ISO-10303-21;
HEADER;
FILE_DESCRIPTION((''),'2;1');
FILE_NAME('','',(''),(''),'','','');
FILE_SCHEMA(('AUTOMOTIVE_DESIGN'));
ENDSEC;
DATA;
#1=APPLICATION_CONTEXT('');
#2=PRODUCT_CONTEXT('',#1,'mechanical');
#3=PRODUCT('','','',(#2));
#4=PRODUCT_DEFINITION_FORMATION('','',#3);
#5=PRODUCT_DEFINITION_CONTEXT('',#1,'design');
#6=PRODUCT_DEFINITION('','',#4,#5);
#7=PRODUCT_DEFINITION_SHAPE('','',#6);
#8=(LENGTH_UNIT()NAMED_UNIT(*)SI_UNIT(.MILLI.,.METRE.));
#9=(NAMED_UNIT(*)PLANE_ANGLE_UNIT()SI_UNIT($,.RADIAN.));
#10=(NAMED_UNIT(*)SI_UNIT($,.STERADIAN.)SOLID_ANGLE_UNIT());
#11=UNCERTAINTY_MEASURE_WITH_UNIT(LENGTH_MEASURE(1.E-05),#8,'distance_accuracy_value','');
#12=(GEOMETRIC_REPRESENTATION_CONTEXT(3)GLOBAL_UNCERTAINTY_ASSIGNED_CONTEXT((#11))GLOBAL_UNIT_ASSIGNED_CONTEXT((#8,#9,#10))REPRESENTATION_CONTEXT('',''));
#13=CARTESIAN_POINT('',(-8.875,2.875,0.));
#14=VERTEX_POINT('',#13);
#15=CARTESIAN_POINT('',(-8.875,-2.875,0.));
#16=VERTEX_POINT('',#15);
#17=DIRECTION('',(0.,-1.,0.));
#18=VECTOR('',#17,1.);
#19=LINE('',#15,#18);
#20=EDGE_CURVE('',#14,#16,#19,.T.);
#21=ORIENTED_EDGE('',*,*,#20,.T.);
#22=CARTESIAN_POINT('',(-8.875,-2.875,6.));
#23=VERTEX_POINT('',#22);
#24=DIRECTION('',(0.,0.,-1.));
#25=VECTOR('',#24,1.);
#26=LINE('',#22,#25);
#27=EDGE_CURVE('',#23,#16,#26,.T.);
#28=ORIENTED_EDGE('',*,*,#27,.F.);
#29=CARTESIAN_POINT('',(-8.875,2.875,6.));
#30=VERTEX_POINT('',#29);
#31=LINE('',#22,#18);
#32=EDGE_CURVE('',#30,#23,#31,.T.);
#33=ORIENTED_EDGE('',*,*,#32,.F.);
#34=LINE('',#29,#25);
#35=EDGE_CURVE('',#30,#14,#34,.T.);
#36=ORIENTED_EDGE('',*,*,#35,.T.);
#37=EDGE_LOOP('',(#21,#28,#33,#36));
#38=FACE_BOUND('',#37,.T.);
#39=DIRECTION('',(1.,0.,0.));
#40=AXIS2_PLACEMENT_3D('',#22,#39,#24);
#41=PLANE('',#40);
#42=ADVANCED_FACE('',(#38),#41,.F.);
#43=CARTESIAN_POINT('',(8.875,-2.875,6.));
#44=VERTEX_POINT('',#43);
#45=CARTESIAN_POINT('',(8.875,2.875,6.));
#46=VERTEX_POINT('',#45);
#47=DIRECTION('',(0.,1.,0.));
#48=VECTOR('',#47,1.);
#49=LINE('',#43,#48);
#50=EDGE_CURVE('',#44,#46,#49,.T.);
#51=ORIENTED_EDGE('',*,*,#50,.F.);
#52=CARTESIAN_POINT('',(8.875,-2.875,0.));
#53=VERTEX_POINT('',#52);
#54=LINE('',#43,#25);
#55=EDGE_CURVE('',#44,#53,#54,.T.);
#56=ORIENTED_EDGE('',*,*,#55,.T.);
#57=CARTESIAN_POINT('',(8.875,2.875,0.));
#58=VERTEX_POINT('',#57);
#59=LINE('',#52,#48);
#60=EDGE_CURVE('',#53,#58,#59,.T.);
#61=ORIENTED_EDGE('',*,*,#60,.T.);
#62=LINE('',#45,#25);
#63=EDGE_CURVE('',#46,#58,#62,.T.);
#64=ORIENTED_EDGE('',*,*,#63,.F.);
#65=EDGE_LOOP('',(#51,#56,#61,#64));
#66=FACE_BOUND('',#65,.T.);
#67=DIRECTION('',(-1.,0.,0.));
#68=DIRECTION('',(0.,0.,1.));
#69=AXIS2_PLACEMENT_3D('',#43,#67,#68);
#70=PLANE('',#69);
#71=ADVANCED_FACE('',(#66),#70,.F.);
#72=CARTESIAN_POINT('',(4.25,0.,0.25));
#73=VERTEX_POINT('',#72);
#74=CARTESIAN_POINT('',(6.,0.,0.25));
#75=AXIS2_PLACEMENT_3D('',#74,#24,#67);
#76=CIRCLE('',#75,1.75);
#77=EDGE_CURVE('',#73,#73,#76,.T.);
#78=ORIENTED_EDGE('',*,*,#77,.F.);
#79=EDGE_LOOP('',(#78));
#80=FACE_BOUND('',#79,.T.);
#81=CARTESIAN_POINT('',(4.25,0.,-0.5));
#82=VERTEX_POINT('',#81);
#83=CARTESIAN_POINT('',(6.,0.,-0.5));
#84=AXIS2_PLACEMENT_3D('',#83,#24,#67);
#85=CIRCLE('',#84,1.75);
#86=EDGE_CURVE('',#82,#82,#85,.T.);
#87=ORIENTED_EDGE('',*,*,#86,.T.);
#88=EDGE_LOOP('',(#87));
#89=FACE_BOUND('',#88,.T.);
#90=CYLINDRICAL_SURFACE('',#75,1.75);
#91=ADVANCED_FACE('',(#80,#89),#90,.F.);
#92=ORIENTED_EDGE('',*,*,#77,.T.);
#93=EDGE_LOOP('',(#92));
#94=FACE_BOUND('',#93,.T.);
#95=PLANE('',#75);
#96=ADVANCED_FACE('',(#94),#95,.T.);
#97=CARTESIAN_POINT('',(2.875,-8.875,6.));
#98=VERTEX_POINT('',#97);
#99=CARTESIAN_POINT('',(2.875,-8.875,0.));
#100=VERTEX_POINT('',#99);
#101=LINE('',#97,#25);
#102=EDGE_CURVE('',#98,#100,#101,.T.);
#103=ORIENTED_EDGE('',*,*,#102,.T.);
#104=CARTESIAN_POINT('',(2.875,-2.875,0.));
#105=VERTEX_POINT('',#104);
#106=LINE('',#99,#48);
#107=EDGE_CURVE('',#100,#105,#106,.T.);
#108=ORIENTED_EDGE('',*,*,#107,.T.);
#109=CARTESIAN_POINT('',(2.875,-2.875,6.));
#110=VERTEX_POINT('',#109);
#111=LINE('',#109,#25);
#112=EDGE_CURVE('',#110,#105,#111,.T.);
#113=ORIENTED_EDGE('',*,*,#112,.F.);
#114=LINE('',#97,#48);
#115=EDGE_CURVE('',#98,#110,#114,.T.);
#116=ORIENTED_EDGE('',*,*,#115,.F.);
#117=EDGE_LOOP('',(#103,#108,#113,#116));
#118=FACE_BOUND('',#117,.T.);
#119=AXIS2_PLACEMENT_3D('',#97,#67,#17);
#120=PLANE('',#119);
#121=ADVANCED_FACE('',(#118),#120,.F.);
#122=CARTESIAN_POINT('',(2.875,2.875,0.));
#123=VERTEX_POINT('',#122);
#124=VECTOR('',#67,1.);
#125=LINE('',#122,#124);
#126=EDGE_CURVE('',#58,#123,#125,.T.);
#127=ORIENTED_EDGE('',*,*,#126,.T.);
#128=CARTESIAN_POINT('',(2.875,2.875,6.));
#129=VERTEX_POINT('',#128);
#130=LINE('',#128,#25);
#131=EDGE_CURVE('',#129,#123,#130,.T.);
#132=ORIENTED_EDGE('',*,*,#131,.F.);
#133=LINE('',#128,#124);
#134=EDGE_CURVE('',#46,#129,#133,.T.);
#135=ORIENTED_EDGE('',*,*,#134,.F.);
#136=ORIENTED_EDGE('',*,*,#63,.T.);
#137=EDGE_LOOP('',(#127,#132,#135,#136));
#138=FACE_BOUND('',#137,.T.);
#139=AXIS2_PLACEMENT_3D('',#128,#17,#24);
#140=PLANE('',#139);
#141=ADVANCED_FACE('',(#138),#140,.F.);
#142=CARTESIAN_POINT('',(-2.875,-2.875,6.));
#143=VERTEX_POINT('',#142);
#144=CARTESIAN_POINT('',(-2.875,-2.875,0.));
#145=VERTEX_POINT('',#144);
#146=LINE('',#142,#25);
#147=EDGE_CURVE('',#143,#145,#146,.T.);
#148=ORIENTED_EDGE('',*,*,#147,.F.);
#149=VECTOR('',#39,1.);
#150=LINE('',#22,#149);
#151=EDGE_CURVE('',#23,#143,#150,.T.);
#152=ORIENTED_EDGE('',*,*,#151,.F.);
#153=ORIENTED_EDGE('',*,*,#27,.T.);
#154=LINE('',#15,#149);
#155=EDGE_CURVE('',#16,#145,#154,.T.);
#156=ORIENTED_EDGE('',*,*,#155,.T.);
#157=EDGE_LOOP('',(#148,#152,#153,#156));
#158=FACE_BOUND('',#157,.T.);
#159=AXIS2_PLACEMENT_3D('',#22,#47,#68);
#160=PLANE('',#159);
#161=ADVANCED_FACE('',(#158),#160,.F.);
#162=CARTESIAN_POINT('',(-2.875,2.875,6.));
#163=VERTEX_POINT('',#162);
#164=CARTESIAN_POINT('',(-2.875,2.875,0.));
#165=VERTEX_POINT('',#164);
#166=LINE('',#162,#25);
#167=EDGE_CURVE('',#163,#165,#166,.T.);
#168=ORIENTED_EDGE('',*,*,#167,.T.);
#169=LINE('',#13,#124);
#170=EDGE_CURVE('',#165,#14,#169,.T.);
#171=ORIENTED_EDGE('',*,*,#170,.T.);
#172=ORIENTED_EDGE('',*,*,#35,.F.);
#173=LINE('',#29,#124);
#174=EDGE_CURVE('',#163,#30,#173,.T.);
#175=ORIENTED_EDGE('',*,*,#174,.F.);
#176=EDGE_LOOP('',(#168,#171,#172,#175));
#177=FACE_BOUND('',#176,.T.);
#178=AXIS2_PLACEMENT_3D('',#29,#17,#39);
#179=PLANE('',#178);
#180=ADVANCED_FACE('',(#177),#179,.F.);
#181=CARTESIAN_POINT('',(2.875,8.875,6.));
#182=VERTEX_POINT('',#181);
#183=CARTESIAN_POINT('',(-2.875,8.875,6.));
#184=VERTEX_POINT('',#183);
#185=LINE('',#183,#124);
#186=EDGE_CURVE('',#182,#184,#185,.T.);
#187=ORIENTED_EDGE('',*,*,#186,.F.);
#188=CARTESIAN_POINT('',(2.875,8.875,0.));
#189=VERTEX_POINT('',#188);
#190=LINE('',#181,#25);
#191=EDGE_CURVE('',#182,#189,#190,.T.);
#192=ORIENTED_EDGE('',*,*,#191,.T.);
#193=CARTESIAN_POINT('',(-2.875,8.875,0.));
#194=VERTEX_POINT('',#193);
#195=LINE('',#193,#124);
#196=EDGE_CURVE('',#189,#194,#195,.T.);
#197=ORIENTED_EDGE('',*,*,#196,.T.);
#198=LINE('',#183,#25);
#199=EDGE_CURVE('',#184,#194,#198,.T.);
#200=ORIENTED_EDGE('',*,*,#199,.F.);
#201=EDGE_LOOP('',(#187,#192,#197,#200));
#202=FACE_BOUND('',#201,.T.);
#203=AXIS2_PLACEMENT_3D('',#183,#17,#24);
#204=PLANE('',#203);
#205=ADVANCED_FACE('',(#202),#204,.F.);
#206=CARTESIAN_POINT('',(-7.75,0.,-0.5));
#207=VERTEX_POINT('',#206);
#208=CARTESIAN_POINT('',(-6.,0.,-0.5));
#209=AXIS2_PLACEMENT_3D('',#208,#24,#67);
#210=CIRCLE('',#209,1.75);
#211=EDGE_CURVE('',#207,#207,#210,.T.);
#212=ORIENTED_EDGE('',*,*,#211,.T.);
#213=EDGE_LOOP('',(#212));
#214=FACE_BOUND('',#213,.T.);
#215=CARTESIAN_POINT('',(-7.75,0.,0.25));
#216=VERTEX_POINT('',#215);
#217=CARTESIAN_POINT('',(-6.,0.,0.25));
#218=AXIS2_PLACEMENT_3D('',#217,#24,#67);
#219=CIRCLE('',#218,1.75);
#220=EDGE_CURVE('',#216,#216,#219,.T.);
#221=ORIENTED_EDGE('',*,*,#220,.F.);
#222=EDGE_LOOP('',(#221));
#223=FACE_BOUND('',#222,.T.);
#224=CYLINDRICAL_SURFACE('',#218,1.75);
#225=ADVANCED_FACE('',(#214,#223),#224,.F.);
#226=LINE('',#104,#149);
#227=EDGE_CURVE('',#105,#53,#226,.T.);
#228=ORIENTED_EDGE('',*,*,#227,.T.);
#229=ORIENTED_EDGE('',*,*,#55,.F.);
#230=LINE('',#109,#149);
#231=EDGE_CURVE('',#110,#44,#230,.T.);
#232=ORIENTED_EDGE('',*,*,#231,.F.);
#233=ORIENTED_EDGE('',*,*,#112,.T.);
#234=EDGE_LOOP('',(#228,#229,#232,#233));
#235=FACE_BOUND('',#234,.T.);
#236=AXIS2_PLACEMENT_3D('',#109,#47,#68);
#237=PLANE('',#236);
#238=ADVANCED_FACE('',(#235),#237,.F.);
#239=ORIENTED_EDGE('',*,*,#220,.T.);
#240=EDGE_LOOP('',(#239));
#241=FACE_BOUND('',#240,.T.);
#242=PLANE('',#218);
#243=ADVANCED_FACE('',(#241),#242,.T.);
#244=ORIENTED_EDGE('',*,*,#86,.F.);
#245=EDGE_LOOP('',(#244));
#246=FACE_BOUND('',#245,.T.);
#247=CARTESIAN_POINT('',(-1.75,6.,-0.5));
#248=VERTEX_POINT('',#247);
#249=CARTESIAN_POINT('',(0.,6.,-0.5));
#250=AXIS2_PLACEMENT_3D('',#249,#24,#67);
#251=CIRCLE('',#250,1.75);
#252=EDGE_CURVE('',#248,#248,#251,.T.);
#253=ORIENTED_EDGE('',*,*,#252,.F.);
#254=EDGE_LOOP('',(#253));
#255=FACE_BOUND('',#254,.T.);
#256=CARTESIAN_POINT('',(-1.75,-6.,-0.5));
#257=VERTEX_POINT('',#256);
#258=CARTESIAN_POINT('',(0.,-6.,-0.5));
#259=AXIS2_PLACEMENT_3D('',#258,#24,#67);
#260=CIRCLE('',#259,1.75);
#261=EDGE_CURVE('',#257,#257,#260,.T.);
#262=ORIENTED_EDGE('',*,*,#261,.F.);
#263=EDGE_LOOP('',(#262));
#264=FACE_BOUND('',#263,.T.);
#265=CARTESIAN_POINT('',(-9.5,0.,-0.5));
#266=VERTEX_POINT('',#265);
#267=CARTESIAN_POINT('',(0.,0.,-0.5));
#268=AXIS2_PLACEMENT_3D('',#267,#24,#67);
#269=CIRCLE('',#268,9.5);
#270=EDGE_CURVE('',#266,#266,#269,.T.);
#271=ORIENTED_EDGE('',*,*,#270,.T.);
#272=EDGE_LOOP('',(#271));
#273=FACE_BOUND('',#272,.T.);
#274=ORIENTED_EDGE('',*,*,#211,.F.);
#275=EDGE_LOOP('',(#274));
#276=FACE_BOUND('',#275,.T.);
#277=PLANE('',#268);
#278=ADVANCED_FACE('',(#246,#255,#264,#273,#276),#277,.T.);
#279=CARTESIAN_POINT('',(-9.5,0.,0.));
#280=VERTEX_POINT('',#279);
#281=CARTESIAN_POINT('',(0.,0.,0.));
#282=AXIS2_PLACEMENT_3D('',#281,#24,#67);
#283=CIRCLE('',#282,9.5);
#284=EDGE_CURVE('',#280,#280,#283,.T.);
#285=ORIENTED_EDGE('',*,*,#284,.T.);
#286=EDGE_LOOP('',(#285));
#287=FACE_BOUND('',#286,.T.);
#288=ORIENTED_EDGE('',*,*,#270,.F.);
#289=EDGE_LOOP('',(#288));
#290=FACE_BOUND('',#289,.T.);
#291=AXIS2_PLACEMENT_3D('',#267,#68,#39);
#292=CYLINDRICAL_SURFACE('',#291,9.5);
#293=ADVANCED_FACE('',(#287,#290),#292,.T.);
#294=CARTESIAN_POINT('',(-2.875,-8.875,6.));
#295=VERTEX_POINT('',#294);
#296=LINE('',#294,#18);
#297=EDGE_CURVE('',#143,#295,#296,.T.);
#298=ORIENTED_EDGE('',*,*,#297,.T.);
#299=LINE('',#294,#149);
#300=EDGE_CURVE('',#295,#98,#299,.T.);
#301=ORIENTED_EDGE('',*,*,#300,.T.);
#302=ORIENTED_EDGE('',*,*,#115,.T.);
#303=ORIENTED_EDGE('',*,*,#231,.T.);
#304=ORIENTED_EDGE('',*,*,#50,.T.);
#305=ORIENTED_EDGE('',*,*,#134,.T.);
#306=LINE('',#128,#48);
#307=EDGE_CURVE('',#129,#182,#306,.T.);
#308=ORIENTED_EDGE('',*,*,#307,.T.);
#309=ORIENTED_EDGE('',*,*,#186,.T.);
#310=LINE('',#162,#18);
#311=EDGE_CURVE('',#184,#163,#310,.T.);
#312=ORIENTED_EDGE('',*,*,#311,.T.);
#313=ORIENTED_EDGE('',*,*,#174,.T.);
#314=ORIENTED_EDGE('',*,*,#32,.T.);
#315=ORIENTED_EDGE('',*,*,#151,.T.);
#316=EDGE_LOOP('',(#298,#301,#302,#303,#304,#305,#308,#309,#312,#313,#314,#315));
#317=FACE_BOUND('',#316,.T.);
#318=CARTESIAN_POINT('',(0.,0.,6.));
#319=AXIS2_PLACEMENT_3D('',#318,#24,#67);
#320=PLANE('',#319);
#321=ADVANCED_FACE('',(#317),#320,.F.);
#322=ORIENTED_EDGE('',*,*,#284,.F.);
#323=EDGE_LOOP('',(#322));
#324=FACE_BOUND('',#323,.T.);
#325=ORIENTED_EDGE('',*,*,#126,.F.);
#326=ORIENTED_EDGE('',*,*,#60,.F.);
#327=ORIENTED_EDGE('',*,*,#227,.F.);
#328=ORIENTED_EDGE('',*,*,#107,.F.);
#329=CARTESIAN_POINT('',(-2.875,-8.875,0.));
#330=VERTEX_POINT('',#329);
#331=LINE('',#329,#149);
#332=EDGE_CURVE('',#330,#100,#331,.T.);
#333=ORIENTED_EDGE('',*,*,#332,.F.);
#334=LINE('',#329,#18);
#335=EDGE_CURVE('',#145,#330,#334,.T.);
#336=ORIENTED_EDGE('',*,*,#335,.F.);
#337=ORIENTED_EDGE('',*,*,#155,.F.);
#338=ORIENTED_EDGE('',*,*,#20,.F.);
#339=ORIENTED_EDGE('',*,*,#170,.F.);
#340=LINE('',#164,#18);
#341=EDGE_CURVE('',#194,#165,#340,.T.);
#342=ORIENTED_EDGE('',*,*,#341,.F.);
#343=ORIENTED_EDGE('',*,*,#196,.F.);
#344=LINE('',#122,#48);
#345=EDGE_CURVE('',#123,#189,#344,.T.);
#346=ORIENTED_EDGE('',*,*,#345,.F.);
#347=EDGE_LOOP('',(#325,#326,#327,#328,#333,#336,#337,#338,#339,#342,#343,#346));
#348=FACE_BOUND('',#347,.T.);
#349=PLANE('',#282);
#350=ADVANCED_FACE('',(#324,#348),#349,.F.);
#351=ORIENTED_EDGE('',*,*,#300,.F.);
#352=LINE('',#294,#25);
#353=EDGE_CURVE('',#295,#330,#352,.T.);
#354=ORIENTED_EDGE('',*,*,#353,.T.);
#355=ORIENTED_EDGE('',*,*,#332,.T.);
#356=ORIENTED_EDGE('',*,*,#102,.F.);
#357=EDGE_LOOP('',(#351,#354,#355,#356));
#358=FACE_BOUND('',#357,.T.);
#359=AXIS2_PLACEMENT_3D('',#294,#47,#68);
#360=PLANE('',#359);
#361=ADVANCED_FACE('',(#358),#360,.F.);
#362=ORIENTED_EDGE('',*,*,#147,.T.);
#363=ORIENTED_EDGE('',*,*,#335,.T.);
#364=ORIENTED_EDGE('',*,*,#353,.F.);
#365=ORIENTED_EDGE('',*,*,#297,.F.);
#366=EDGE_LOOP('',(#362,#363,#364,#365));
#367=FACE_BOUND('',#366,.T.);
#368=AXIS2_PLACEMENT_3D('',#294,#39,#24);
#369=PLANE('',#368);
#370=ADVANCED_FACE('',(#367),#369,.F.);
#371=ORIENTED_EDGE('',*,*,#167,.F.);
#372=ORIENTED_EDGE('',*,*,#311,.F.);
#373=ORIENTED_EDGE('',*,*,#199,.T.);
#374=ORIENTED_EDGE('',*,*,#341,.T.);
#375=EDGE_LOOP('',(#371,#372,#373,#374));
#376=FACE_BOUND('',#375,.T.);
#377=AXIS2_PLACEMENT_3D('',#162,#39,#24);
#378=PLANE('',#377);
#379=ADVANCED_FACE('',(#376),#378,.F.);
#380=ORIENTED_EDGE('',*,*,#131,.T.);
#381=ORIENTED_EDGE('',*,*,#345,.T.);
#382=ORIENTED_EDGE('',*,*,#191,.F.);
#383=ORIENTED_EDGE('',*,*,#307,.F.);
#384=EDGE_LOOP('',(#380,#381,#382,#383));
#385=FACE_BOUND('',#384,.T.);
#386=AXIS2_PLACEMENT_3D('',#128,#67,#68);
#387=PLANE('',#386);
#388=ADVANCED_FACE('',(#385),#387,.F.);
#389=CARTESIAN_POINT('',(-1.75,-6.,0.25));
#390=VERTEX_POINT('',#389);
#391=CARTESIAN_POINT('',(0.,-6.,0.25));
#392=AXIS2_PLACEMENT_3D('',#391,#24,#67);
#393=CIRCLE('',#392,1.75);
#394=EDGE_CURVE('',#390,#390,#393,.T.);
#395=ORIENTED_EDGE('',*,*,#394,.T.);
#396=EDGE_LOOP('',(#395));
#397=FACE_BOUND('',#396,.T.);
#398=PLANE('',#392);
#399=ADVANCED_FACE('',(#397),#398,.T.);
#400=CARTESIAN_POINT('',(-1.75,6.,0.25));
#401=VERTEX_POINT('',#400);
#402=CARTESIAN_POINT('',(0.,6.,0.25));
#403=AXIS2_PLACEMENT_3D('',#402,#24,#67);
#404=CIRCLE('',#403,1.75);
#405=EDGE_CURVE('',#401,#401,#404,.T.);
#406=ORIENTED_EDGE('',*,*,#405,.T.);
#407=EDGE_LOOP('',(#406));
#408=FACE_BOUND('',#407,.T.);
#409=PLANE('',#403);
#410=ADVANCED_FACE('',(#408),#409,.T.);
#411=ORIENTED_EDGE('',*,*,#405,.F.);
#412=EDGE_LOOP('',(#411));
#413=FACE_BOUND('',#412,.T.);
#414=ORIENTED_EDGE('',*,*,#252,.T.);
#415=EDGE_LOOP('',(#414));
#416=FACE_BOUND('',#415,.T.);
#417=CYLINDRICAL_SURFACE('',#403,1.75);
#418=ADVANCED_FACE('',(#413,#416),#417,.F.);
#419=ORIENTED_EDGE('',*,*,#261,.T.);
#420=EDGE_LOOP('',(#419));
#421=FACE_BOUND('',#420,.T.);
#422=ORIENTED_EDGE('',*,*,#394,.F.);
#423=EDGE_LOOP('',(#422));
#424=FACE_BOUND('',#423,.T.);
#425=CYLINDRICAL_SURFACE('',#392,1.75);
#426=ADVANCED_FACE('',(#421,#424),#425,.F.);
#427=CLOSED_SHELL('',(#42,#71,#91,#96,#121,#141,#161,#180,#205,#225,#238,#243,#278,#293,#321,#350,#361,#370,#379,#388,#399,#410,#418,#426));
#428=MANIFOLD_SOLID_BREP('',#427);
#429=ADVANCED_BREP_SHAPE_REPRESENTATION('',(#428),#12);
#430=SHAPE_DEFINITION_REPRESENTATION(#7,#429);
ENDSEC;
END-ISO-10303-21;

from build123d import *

# Parameters (mm, degrees)
BOSS_EXTRUDE1_DEPTH = 6
SKETCH2_R           = 9.5
BOSS_EXTRUDE2_DEPTH = 0.5
SKETCH4_R           = 1.75
CUT_EXTRUDE2_DEPTH  = 0.75


with BuildPart() as part:
    # Sketch1 → Boss-Extrude1 (new body)
    with BuildSketch(Plane.XY):
        Polygon((-2.875, 2.875), (-2.875, 8.875), (2.875, 8.875), (2.875, 2.875), (8.875, 2.875), (8.875, -2.875), (2.875, -2.875), (2.875, -8.875), (-2.875, -8.875), (-2.875, -2.875), (-8.875, -2.875), (-8.875, 2.875), align=None)
    extrude(amount=BOSS_EXTRUDE1_DEPTH)

    # Sketch2 → Boss-Extrude2 (add)
    with BuildSketch(Plane(origin=(0, 0, 0), x_dir=(-1, 0, 0), z_dir=(0, 0, -1))):
        Circle(SKETCH2_R)
    extrude(amount=BOSS_EXTRUDE2_DEPTH)

    # Sketch4 → Cut-Extrude2 (cut)
    with BuildSketch(Plane(origin=(0, 0, -0.5), x_dir=(-1, 0, 0), z_dir=(0, 0, -1))):
        with Locations((6, 0)):
            Circle(SKETCH4_R)
        with Locations((0, -6)):
            Circle(SKETCH4_R)
        with Locations((-6, 0)):
            Circle(SKETCH4_R)
        with Locations((0, 6)):
            Circle(SKETCH4_R)
    extrude(amount=-CUT_EXTRUDE2_DEPTH, mode=Mode.SUBTRACT)


solid = part.part
